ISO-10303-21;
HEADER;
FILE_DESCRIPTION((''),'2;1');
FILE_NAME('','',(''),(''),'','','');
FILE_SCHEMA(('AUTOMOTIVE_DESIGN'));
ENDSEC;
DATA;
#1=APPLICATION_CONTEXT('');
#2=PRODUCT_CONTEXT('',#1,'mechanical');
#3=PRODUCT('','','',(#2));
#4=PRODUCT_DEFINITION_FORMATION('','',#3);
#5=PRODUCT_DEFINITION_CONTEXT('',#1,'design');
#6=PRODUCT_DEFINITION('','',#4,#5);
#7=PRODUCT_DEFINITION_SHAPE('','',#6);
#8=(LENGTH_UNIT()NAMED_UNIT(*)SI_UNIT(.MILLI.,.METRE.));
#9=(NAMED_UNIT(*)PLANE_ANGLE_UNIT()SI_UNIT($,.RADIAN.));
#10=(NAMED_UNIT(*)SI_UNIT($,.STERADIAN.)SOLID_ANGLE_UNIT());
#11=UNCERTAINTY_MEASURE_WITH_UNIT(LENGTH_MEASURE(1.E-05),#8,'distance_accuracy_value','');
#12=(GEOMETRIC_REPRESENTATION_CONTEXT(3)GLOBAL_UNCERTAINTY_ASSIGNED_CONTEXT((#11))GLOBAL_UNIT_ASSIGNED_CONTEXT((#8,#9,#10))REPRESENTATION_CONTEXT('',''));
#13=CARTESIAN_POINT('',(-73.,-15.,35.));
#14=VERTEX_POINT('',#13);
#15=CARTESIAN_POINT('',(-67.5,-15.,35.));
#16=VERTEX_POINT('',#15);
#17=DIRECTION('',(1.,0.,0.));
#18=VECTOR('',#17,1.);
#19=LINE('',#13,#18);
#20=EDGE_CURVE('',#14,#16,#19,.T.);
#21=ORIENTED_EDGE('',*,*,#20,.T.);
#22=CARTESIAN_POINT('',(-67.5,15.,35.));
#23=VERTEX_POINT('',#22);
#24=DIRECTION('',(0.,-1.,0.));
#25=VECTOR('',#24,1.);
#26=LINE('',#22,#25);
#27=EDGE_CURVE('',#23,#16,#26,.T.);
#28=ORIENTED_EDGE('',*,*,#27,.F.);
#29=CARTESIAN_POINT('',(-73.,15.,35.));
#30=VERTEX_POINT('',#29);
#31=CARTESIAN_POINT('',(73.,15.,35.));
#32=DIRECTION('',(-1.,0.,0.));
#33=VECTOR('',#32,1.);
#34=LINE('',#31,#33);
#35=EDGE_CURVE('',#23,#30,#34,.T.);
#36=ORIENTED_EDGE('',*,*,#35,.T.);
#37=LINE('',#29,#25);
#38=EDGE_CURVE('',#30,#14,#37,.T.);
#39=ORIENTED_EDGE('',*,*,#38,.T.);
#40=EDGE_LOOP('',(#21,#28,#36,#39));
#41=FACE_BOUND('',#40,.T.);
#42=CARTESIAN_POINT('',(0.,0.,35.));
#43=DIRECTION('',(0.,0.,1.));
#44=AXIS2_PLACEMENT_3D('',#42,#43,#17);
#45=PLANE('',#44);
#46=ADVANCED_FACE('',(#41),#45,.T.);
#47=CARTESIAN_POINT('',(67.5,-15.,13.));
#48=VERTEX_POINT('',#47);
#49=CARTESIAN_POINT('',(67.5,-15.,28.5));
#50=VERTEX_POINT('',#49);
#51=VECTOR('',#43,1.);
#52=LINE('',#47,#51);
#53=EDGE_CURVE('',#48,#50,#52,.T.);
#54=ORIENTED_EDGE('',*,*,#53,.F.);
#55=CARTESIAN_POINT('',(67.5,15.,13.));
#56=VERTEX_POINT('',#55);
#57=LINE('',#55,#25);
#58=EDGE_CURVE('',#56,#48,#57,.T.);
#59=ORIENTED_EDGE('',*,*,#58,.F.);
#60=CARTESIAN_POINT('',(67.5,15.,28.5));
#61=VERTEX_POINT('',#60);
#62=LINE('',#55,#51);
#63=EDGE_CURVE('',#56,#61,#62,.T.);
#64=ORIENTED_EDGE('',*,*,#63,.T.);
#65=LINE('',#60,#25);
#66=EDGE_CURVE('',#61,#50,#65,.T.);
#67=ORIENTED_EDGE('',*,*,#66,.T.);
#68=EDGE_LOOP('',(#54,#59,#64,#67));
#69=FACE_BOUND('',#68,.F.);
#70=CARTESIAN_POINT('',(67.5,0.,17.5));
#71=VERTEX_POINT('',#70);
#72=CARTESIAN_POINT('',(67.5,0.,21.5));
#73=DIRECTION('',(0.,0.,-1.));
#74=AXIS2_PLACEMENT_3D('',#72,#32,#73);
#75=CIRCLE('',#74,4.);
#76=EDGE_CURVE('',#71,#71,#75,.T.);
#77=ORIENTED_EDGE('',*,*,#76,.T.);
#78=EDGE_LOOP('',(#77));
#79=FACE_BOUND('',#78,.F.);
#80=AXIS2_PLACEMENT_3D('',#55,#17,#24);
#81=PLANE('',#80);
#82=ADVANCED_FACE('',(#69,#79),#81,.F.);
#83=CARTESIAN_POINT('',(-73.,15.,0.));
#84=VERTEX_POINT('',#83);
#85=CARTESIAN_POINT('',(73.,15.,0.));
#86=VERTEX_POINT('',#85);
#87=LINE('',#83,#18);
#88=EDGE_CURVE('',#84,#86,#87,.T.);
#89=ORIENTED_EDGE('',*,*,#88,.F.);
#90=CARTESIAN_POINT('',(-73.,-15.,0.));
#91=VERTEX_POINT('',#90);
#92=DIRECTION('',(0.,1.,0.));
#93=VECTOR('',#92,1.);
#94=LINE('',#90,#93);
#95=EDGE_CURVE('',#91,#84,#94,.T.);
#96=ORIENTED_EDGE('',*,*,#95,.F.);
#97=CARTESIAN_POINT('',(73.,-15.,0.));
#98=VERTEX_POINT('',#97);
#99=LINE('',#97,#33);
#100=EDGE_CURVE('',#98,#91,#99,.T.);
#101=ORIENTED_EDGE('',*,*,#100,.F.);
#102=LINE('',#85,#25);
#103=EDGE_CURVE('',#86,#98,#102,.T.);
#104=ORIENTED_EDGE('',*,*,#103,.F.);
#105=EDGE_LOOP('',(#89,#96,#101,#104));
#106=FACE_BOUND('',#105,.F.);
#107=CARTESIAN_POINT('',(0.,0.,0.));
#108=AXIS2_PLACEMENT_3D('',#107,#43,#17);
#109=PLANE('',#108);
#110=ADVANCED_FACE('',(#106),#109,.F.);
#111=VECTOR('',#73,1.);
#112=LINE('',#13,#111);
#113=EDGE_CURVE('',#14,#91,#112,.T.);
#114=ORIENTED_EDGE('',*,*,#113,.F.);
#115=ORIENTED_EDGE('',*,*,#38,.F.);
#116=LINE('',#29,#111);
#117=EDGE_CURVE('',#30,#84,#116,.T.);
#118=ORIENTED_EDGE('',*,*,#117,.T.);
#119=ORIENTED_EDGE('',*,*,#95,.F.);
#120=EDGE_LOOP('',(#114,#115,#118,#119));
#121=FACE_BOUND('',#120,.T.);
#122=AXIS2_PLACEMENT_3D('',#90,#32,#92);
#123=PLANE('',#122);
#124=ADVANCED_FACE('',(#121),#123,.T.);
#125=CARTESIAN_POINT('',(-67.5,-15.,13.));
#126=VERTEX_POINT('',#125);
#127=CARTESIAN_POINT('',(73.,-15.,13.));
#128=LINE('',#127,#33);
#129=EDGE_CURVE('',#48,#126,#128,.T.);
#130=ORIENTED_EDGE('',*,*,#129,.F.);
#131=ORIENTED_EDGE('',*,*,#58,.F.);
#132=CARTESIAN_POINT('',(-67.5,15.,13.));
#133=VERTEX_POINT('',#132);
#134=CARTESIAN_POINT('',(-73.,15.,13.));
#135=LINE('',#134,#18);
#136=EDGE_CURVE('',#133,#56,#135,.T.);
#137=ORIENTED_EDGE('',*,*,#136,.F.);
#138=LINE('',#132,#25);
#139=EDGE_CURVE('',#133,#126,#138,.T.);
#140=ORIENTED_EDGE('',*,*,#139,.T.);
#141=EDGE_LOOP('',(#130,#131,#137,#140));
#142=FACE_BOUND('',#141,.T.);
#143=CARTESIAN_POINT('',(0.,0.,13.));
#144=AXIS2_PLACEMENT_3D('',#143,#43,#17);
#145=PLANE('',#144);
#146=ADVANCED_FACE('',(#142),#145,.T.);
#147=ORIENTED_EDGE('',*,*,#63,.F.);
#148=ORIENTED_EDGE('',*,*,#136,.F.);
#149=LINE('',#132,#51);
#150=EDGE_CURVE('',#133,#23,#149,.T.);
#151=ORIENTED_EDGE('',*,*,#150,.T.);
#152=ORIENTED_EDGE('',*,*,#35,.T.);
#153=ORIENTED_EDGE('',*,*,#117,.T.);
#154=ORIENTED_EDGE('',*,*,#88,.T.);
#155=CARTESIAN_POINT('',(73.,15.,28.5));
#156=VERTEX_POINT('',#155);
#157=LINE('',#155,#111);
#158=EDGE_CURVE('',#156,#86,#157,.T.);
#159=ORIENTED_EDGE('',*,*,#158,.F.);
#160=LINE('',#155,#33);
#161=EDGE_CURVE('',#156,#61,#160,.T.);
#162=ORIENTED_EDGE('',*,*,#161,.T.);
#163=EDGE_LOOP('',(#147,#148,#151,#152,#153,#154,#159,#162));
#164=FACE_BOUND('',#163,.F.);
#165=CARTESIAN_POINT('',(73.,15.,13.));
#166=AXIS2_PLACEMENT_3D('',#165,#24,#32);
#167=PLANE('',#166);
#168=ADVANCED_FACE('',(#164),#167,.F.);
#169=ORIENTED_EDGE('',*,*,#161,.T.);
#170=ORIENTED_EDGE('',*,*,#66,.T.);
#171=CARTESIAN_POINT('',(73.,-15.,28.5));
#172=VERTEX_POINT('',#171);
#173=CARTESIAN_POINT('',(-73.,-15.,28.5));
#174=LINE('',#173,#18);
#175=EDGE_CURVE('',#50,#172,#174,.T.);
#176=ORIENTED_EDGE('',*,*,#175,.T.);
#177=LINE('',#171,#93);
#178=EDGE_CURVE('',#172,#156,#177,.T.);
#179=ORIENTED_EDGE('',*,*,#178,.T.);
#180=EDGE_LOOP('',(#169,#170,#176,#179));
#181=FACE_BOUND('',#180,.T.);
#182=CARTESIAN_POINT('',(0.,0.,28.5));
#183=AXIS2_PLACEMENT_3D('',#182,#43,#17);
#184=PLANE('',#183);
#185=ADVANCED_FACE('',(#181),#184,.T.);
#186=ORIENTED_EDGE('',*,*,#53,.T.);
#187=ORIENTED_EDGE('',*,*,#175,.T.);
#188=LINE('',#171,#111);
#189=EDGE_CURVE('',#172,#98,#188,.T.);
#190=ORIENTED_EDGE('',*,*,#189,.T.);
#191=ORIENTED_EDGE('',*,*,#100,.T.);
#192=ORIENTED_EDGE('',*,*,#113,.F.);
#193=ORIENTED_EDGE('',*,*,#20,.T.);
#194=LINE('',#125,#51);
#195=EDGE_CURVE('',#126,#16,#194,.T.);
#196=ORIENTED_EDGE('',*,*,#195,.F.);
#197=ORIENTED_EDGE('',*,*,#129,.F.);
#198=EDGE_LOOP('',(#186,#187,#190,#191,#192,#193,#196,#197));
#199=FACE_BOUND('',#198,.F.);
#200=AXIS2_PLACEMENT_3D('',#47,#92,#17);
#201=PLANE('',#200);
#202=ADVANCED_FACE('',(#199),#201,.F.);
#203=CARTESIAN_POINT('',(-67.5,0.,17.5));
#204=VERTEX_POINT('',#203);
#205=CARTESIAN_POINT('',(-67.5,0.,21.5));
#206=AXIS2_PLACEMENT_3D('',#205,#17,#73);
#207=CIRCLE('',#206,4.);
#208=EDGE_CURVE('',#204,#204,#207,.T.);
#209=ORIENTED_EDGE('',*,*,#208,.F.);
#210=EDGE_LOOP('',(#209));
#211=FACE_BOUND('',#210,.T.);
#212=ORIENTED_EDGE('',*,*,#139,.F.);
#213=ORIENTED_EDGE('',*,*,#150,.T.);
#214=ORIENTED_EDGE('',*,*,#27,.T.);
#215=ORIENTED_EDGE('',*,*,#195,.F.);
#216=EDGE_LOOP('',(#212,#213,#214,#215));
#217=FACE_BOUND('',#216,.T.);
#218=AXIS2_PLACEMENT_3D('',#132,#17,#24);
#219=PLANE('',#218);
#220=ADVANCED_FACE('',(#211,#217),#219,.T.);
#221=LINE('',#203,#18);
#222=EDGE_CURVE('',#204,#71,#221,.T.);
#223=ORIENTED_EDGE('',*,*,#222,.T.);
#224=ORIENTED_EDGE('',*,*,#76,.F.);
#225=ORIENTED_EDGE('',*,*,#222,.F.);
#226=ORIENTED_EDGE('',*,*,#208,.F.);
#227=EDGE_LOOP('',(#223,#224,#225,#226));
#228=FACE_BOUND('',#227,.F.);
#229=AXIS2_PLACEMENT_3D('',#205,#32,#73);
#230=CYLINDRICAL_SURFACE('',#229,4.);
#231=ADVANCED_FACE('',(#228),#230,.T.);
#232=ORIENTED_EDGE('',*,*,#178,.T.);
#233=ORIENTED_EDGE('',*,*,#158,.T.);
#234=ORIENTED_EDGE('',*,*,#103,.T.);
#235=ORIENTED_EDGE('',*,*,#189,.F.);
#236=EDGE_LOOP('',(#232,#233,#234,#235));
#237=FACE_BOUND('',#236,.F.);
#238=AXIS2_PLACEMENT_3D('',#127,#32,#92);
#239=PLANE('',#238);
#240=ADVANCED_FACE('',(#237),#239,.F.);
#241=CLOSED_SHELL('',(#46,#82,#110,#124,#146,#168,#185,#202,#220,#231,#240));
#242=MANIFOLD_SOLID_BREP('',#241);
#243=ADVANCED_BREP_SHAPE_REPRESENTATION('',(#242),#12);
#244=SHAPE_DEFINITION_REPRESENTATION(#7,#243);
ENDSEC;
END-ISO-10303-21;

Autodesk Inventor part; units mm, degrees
ref_plane "YZ Plane" through (0, 0, 0) normal (1, 0, 0) x (0, 1, 0)
ref_plane "XZ Plane" through (0, 0, 0) normal (0, 1, 0) x (-1, 0, 0)
ref_plane "XY Plane" through (0, 0, 0) normal (0, 0, 1) x (1, 0, 0)
sketch "Sketch1" plane through (0, 0, 0) normal (0, 0, 1) x (1, 0, 0)
  line L0 (73, -15) -> (-73, -15)
  line L1 (-73, -15) -> (-73, 15)
  line L2 (-73, 15) -> (73, 15)
  line L3 (73, 15) -> (73, -15)
  line L4 (73, -15) -> (-73, 15) construction
  line L5 (-73, -15) -> (73, 15) construction
  point P0 (0, 0)
  dimension "d0" = 146
  dimension "d1" = 30
extrude "Extrusion1" add sketch "Sketch1" along normal blind 13
sketch "Sketch2" plane through (0, 0, 13) normal (0, 0, 1) x (1, 0, 0)
  line L0 (-73, 15) -> (-73, -15) projected
  line L1 (-73, -15) -> (73, -15) projected
  line L2 (73, -15) -> (73, 15) projected
  line L3 (73, 15) -> (-73, 15) projected
  line L4 (-67.5, 15) -> (-67.5, -15)
  line L5 (67.5, 15) -> (67.5, -15)
  point P0 (0, 0)
  dimension "d4" = 5.5
  dimension "d5" = 5.5
extrude "Extrusion2" add sketch "Sketch2" along normal blind 22 contours L3 L4 L1 L0
extrude "Extrusion3" add sketch "Sketch2" along normal blind 15.5 contours L3 L2 L1 L5
sketch "Sketch3" plane through (-67.5, -15, 13) normal (1, 0, 0) x (0, 0, -1)
  line L0 (-22, 0) -> (0, 30)
  circle A0 centre (-11, 15) radius 4.5
  line L1 (-22, 0) -> (-22, 30) projected
  line L2 (-22, 15) -> (-12.5, 15)
  line L3 (-12.5, 15) -> (-8.5, 15)
  circle A1 centre (-8.5, 15) radius 4
  point P0 (13, 15)
  dimension "d10" = 9
  dimension "d21" = 9.5
  dimension "d22" = 4
extrude "Extrusion7" add sketch "Sketch3" along normal up to surface (135 mm away) contours A1 L3 L0 | L0 A0 A1 | A0 L0 A1 | L3 A1 A0 L0 | A1 L0 A0 picked at (-9.6413, 12.9367) picked at (-5.914, 15.6712) picked at (-8.2588, 18.8681)
thread "Thread2" size "M8x1.25" class "6g" standard "ANSI Metric M Profile" full length
properties part number "linear trail"
